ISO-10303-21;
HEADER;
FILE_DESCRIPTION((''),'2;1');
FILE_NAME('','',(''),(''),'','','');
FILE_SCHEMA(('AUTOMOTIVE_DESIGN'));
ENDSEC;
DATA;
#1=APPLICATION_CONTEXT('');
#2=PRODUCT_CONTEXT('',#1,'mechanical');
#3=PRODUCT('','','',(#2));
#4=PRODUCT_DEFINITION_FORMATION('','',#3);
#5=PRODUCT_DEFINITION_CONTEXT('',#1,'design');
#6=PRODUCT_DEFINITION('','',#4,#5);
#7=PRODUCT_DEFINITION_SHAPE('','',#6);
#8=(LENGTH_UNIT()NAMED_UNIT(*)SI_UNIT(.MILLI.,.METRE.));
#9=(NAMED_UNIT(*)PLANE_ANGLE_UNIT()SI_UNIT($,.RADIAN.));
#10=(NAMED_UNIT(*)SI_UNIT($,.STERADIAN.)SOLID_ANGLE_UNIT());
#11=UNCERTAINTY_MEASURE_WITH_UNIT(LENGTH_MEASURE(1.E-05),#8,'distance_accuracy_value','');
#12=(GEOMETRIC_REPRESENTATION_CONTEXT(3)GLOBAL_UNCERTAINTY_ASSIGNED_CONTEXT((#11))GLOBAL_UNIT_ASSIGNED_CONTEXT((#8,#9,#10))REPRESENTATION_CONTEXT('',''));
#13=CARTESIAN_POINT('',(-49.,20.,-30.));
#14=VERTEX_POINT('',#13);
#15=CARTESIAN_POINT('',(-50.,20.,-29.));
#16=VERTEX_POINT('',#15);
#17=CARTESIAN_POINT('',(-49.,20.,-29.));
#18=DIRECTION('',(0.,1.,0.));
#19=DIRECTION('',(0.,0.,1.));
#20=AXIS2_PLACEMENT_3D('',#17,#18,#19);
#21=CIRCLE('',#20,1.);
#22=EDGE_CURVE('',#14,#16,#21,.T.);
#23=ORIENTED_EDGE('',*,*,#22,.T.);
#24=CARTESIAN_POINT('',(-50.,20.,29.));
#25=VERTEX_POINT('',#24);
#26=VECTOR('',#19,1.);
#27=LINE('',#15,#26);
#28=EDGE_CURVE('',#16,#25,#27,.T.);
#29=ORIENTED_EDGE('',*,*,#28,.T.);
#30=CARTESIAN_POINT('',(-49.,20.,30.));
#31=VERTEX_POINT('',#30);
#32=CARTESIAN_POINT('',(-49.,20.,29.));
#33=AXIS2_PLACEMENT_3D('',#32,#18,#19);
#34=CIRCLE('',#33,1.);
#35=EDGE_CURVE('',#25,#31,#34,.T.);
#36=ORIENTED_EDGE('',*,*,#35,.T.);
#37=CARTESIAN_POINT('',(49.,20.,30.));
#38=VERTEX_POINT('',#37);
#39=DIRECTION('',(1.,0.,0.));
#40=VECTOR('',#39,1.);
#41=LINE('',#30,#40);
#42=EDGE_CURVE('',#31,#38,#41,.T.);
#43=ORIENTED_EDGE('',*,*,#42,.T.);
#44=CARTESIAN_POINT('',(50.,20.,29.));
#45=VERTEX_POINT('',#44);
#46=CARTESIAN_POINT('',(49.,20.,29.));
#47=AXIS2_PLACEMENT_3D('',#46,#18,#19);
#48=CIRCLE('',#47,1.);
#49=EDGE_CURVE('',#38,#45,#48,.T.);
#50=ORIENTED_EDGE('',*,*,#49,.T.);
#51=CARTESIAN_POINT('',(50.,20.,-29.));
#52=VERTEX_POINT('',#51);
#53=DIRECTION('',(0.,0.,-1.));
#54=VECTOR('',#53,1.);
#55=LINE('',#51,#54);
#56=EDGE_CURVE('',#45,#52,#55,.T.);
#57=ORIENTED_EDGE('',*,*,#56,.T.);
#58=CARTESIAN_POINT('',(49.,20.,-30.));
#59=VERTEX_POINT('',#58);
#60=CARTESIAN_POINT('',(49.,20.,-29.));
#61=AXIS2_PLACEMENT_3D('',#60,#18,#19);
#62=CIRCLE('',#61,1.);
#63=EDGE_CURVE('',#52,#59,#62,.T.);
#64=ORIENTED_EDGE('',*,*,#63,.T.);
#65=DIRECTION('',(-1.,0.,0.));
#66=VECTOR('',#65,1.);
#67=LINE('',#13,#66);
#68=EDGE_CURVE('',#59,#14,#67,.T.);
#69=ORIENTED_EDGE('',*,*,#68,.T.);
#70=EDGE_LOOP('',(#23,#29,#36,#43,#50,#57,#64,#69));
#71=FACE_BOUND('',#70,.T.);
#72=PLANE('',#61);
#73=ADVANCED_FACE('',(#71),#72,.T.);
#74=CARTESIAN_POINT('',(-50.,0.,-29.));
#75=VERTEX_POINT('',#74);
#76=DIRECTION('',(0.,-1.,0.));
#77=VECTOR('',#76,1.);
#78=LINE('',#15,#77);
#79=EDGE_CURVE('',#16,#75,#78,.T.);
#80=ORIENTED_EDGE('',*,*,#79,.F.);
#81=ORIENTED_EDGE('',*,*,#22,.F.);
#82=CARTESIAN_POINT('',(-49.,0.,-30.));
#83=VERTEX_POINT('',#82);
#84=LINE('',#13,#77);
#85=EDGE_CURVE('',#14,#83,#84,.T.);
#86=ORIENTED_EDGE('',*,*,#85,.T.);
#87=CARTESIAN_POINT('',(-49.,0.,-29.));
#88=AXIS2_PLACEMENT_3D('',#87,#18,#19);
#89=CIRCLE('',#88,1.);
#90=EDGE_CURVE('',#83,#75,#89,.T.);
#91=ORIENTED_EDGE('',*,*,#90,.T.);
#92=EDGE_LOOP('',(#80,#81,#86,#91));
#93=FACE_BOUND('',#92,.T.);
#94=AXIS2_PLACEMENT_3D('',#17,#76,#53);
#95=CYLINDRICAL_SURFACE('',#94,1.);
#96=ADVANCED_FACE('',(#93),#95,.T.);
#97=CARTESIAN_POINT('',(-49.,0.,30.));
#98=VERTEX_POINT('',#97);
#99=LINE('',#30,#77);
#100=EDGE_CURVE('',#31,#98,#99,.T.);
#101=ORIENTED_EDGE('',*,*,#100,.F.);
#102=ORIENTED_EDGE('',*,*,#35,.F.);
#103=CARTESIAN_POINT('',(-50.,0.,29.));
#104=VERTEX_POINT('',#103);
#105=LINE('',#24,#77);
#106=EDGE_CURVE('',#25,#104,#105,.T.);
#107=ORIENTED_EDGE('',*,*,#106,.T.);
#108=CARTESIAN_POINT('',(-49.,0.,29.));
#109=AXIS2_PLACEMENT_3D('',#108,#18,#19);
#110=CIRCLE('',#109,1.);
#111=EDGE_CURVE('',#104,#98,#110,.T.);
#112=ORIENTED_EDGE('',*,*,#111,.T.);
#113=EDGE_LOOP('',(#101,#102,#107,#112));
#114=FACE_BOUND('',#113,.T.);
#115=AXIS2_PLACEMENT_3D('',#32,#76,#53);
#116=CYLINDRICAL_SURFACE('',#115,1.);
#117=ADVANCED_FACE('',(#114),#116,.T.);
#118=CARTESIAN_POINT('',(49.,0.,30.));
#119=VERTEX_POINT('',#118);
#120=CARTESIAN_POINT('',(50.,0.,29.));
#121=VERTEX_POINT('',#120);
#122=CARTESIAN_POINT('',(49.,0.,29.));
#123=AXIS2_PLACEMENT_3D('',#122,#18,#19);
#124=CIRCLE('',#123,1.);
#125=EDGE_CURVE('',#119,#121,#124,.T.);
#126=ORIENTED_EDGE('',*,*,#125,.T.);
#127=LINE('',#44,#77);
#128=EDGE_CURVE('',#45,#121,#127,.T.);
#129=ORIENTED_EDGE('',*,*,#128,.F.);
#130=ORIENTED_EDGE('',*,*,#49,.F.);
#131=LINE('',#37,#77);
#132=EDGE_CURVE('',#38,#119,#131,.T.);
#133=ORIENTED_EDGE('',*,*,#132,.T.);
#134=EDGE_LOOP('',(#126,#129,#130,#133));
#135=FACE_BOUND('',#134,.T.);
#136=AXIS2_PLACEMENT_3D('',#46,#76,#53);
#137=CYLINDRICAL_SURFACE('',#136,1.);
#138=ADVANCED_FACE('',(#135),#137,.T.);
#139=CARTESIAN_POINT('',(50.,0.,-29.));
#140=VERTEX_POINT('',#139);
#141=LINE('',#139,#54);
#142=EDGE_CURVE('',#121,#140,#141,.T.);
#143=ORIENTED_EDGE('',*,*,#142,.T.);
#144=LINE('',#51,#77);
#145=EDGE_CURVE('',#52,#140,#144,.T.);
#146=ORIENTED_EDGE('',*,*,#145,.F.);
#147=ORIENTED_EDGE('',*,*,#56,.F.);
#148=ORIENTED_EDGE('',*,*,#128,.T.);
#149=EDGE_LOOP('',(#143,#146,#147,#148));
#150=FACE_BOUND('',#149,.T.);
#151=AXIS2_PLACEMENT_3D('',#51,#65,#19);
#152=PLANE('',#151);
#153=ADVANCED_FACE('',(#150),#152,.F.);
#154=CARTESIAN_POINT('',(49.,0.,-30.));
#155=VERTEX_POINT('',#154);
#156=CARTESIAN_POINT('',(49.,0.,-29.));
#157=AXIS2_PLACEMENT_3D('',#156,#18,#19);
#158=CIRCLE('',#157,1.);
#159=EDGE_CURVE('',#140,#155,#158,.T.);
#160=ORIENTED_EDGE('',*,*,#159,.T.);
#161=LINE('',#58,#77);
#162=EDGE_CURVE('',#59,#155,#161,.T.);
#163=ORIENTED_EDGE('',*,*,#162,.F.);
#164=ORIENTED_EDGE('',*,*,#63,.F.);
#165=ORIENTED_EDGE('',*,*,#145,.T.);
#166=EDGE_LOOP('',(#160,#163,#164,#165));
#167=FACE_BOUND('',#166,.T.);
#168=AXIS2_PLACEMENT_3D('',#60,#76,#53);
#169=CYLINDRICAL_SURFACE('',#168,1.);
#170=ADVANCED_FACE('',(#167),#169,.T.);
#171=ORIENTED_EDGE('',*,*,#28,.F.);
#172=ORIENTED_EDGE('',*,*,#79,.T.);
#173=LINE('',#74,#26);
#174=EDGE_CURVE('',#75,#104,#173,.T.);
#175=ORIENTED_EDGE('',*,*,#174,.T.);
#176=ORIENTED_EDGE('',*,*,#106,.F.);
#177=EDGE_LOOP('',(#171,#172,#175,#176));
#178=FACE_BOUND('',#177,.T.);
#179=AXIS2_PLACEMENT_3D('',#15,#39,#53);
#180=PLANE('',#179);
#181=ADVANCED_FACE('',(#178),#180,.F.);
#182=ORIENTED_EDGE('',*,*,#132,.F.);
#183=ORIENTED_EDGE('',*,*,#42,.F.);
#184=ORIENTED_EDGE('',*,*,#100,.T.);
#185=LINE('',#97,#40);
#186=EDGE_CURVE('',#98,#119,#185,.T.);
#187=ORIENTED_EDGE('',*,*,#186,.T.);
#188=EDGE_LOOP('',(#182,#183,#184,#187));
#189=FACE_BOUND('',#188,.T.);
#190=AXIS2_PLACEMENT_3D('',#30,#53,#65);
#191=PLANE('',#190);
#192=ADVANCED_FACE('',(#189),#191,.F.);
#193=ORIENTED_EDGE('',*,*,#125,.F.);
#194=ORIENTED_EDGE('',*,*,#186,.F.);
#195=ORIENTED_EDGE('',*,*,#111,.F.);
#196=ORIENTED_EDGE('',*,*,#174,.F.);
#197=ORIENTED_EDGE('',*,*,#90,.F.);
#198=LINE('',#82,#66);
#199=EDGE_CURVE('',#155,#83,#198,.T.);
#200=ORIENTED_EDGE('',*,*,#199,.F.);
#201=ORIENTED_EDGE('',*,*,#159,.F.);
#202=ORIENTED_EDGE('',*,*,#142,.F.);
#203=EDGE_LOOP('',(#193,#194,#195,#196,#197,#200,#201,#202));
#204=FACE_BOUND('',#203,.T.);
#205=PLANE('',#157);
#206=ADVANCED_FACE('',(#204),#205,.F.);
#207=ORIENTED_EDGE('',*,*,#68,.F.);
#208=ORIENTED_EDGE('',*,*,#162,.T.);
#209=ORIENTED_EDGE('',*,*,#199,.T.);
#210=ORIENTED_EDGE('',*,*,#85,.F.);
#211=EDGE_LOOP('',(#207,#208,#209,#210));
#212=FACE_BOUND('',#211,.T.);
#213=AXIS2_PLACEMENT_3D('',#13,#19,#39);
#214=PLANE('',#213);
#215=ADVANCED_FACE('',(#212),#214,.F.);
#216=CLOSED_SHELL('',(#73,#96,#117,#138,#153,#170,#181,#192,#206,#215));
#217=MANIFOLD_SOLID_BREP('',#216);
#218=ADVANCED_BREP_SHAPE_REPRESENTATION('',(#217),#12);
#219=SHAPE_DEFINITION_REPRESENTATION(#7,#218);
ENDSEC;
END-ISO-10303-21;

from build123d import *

# Parameters (mm, degrees)
EXTRUDE_1_DEPTH = 20


with BuildPart() as part:
    # 草图1 → 凸台-拉伸1 (new body)
    with BuildSketch(Plane(origin=(0, 0, 0), x_dir=(1, 0, 0), z_dir=(0, 1, 0))):
        with BuildLine():
            Line((-49, 30), (49, 30))
            ThreePointArc((49, 30), (49.707106781, 29.707106781), (50, 29))
            Line((50, 29), (50, -29))
            ThreePointArc((50, -29), (49.707106781, -29.707106781), (49, -30))
            Line((49, -30), (-49, -30))
            ThreePointArc((-49, -30), (-49.707106781, -29.707106781), (-50, -29))
            Line((-50, -29), (-50, 29))
            ThreePointArc((-50, 29), (-49.707106781, 29.707106781), (-49, 30))
        make_face()
    extrude(amount=EXTRUDE_1_DEPTH)


solid = part.part
